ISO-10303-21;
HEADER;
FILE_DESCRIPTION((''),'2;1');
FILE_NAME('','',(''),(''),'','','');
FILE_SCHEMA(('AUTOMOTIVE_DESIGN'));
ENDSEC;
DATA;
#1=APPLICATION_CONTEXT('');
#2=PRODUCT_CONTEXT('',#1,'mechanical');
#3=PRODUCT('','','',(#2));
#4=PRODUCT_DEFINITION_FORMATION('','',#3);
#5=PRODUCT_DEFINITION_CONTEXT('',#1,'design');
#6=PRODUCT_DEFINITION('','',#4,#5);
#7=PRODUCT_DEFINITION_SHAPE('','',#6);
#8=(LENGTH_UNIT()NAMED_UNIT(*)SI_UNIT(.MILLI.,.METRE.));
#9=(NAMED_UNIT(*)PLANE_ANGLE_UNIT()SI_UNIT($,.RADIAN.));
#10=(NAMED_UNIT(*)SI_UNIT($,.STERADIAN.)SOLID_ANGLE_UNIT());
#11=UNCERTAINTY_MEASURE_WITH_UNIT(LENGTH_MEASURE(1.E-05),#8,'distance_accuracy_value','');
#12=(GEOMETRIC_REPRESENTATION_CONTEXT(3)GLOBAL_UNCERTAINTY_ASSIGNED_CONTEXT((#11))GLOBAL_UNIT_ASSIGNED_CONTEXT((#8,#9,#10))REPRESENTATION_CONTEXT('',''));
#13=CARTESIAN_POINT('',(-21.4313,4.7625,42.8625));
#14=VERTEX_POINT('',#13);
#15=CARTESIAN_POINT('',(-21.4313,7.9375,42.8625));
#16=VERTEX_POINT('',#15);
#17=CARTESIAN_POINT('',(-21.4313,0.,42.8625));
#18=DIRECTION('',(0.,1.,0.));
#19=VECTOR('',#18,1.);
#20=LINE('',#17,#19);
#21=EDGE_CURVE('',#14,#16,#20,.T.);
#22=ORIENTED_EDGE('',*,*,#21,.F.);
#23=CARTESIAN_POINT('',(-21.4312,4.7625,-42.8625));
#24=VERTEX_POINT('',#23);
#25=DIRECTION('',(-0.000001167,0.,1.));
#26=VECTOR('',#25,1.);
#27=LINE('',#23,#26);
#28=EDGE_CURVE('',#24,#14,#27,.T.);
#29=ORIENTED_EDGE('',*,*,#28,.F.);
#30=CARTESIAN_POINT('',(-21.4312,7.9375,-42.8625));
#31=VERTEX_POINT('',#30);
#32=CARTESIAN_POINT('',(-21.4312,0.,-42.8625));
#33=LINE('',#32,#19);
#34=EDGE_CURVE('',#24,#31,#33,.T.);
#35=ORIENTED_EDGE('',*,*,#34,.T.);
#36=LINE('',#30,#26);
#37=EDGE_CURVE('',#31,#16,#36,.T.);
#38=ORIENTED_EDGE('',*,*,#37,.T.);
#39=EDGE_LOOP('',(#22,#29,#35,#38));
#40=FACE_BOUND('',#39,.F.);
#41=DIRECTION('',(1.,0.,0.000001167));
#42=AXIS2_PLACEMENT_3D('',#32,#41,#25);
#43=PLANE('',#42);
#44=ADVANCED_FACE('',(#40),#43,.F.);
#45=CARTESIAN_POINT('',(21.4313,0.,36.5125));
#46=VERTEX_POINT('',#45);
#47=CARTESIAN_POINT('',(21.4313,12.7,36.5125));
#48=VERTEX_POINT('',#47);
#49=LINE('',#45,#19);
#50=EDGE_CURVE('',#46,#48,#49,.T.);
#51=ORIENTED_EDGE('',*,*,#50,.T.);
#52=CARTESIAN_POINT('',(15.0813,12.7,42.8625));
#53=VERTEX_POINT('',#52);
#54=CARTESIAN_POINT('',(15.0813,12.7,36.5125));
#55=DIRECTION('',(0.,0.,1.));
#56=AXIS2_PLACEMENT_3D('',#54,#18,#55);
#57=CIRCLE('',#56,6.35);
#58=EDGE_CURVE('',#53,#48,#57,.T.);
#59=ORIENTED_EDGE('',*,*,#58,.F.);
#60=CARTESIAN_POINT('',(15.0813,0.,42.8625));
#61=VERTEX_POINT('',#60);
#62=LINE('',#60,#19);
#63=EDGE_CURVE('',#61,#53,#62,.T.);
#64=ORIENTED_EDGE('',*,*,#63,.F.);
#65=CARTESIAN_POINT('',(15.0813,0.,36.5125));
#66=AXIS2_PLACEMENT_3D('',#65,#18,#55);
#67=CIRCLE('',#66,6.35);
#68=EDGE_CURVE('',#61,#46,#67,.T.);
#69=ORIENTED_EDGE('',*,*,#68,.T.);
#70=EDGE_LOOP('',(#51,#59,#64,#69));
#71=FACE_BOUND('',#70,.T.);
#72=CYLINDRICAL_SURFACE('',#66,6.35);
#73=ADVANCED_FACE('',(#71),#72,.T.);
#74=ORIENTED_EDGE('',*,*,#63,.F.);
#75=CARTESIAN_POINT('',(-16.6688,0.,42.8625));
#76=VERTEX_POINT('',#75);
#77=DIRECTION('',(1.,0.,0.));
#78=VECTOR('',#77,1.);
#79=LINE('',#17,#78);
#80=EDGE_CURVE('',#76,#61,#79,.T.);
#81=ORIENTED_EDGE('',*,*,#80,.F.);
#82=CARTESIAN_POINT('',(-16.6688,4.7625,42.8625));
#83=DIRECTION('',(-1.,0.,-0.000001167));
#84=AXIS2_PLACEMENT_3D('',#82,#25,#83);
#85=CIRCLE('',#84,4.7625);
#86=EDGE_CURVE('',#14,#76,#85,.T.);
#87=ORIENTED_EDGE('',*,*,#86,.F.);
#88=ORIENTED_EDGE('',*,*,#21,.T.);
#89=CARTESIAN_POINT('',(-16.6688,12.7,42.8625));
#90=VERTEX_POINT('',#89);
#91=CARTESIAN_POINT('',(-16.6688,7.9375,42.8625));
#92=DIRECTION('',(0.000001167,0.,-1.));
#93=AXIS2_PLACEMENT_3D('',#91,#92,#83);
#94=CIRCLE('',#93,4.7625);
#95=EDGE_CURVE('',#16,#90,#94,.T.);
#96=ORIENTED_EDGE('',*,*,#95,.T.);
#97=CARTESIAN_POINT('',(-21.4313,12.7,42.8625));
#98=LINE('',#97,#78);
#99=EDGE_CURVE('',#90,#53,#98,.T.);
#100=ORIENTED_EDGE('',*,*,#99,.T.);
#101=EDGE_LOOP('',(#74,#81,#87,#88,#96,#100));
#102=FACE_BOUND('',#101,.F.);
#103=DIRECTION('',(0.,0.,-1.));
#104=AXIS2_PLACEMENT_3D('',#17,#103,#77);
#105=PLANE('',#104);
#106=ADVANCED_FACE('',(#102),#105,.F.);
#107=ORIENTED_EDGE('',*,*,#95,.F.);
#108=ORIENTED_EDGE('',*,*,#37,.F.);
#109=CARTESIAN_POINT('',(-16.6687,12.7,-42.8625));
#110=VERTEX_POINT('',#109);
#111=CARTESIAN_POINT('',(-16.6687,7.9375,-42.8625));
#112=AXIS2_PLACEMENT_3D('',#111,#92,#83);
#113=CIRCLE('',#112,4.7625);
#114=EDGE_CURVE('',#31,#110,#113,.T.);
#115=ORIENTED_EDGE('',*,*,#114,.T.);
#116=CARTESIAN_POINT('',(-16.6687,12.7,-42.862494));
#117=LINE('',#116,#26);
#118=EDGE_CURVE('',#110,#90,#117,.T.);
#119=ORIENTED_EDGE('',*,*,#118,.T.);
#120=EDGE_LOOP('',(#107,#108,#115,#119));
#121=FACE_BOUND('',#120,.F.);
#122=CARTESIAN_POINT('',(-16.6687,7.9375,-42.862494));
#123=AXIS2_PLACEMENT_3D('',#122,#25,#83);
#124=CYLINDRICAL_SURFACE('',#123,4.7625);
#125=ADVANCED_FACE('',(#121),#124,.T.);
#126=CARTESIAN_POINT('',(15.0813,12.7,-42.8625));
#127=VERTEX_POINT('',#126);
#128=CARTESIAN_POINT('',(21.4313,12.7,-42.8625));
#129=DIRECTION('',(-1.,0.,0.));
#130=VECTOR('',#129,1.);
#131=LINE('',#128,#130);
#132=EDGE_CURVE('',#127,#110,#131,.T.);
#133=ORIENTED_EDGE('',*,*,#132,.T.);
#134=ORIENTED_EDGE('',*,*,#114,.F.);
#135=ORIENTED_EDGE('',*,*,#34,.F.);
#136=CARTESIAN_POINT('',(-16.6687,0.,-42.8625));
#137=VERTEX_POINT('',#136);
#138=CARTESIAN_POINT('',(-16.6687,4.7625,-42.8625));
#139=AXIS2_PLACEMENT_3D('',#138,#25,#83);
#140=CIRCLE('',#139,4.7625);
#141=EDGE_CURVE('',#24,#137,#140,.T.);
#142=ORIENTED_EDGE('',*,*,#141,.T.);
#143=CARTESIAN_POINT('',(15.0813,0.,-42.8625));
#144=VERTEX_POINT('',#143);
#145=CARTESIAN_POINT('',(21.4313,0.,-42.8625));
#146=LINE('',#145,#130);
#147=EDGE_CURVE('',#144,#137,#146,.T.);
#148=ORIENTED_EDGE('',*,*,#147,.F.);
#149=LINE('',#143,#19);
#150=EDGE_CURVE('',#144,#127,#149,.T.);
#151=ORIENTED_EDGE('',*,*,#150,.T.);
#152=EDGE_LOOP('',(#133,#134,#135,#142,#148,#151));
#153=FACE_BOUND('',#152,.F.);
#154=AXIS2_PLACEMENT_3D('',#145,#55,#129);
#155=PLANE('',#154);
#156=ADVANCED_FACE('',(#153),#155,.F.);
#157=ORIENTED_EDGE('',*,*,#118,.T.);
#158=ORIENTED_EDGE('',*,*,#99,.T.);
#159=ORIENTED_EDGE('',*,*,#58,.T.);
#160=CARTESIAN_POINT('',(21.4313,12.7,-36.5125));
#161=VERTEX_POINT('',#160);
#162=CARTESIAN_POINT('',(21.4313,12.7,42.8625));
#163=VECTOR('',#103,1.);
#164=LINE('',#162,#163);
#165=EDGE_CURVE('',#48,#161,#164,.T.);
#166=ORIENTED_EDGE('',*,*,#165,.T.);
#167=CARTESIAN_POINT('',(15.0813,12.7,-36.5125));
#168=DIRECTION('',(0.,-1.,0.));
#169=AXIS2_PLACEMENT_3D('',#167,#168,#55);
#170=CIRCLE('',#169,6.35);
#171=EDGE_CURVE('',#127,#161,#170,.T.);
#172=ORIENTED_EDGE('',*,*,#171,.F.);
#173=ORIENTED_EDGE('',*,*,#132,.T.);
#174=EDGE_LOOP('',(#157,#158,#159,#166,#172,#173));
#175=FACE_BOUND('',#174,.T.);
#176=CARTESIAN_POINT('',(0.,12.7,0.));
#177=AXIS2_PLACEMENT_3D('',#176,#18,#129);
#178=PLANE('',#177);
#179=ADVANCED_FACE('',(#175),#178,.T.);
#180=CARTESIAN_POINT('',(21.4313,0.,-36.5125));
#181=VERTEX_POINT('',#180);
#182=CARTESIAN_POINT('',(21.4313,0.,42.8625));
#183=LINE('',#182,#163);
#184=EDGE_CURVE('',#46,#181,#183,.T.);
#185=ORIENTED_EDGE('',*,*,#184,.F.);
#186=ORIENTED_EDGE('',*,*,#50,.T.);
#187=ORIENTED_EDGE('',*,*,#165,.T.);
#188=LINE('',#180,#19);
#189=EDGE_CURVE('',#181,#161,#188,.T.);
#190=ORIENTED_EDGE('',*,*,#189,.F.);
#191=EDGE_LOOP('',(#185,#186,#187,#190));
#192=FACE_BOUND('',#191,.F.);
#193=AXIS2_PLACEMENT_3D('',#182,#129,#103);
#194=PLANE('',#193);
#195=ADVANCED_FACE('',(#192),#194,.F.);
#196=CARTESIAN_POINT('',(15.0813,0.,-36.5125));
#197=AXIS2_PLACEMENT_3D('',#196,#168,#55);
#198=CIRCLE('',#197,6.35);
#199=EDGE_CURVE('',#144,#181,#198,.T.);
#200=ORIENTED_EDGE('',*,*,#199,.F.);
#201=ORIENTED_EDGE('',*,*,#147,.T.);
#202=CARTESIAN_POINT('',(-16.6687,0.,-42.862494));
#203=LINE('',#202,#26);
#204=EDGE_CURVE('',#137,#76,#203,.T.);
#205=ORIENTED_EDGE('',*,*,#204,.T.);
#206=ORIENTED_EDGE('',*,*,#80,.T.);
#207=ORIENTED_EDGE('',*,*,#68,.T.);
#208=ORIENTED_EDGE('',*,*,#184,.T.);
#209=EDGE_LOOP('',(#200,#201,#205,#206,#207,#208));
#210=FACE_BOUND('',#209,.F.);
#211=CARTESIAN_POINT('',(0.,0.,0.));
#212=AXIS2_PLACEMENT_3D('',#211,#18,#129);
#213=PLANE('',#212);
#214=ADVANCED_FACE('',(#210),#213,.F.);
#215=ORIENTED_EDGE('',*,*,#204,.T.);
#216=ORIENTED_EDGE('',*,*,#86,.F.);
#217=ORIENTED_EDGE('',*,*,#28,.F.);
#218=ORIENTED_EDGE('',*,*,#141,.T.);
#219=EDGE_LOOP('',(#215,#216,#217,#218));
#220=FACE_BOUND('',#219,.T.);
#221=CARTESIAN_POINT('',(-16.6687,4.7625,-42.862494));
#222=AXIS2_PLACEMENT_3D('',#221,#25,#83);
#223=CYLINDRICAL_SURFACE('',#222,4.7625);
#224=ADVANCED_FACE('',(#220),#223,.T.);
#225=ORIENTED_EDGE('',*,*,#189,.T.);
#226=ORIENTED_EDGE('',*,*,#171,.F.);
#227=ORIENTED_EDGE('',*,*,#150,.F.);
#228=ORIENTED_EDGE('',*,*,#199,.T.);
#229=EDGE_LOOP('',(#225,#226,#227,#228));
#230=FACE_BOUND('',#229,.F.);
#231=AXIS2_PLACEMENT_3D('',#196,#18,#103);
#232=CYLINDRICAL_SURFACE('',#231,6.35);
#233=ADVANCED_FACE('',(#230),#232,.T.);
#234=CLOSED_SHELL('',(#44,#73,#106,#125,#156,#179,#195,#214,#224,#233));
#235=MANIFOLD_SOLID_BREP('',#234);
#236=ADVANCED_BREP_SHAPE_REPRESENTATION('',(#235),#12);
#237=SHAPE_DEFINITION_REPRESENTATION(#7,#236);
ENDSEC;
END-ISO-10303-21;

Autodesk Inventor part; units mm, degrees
ref_plane "YZ Plane" through (0, 0, 0) normal (1, 0, 0) x (0, 1, 0)
ref_plane "XZ Plane" through (0, 0, 0) normal (0, 1, 0) x (-1, 0, 0)
ref_plane "XY Plane" through (0, 0, 0) normal (0, 0, 1) x (1, 0, 0)
sketch "Sketch1" plane through (0, 0, 0) normal (0, 1, 0) x (-1, 0, 0)
  line L0 (21.4313, 42.8625) -> (-21.4313, 42.8625)
  line L1 (-21.4313, 42.8625) -> (-21.4313, -42.8625)
  line L2 (-21.4313, -42.8625) -> (21.4312, -42.8625)
  line L3 (21.4312, -42.8625) -> (21.4313, 42.8625)
  line L4 (0, -60.0075) -> (0, 60.0075) construction
  line L5 (30.0038, 0) -> (-30.0038, 0) construction
  point P0 (0, 0)
  point P1 (0, -42.8625)
  point P2 (-21.4313, 0)
  dimension "d0" = 85.725
  dimension "d1" = 42.8625
extrude "Extrusion1" add sketch "Sketch1" along normal blind 12.7
fillet "Fillet1" radius 4.7625 2 edges at (-21.4312, 12.7, 0) (-21.4312, 0, 0)
fillet "Fillet2" radius 6.35 2 edges at (21.4313, 6.35, 42.8625) (21.4313, 6.35, -42.8625)
properties part number "Onn-USB-Hub"
